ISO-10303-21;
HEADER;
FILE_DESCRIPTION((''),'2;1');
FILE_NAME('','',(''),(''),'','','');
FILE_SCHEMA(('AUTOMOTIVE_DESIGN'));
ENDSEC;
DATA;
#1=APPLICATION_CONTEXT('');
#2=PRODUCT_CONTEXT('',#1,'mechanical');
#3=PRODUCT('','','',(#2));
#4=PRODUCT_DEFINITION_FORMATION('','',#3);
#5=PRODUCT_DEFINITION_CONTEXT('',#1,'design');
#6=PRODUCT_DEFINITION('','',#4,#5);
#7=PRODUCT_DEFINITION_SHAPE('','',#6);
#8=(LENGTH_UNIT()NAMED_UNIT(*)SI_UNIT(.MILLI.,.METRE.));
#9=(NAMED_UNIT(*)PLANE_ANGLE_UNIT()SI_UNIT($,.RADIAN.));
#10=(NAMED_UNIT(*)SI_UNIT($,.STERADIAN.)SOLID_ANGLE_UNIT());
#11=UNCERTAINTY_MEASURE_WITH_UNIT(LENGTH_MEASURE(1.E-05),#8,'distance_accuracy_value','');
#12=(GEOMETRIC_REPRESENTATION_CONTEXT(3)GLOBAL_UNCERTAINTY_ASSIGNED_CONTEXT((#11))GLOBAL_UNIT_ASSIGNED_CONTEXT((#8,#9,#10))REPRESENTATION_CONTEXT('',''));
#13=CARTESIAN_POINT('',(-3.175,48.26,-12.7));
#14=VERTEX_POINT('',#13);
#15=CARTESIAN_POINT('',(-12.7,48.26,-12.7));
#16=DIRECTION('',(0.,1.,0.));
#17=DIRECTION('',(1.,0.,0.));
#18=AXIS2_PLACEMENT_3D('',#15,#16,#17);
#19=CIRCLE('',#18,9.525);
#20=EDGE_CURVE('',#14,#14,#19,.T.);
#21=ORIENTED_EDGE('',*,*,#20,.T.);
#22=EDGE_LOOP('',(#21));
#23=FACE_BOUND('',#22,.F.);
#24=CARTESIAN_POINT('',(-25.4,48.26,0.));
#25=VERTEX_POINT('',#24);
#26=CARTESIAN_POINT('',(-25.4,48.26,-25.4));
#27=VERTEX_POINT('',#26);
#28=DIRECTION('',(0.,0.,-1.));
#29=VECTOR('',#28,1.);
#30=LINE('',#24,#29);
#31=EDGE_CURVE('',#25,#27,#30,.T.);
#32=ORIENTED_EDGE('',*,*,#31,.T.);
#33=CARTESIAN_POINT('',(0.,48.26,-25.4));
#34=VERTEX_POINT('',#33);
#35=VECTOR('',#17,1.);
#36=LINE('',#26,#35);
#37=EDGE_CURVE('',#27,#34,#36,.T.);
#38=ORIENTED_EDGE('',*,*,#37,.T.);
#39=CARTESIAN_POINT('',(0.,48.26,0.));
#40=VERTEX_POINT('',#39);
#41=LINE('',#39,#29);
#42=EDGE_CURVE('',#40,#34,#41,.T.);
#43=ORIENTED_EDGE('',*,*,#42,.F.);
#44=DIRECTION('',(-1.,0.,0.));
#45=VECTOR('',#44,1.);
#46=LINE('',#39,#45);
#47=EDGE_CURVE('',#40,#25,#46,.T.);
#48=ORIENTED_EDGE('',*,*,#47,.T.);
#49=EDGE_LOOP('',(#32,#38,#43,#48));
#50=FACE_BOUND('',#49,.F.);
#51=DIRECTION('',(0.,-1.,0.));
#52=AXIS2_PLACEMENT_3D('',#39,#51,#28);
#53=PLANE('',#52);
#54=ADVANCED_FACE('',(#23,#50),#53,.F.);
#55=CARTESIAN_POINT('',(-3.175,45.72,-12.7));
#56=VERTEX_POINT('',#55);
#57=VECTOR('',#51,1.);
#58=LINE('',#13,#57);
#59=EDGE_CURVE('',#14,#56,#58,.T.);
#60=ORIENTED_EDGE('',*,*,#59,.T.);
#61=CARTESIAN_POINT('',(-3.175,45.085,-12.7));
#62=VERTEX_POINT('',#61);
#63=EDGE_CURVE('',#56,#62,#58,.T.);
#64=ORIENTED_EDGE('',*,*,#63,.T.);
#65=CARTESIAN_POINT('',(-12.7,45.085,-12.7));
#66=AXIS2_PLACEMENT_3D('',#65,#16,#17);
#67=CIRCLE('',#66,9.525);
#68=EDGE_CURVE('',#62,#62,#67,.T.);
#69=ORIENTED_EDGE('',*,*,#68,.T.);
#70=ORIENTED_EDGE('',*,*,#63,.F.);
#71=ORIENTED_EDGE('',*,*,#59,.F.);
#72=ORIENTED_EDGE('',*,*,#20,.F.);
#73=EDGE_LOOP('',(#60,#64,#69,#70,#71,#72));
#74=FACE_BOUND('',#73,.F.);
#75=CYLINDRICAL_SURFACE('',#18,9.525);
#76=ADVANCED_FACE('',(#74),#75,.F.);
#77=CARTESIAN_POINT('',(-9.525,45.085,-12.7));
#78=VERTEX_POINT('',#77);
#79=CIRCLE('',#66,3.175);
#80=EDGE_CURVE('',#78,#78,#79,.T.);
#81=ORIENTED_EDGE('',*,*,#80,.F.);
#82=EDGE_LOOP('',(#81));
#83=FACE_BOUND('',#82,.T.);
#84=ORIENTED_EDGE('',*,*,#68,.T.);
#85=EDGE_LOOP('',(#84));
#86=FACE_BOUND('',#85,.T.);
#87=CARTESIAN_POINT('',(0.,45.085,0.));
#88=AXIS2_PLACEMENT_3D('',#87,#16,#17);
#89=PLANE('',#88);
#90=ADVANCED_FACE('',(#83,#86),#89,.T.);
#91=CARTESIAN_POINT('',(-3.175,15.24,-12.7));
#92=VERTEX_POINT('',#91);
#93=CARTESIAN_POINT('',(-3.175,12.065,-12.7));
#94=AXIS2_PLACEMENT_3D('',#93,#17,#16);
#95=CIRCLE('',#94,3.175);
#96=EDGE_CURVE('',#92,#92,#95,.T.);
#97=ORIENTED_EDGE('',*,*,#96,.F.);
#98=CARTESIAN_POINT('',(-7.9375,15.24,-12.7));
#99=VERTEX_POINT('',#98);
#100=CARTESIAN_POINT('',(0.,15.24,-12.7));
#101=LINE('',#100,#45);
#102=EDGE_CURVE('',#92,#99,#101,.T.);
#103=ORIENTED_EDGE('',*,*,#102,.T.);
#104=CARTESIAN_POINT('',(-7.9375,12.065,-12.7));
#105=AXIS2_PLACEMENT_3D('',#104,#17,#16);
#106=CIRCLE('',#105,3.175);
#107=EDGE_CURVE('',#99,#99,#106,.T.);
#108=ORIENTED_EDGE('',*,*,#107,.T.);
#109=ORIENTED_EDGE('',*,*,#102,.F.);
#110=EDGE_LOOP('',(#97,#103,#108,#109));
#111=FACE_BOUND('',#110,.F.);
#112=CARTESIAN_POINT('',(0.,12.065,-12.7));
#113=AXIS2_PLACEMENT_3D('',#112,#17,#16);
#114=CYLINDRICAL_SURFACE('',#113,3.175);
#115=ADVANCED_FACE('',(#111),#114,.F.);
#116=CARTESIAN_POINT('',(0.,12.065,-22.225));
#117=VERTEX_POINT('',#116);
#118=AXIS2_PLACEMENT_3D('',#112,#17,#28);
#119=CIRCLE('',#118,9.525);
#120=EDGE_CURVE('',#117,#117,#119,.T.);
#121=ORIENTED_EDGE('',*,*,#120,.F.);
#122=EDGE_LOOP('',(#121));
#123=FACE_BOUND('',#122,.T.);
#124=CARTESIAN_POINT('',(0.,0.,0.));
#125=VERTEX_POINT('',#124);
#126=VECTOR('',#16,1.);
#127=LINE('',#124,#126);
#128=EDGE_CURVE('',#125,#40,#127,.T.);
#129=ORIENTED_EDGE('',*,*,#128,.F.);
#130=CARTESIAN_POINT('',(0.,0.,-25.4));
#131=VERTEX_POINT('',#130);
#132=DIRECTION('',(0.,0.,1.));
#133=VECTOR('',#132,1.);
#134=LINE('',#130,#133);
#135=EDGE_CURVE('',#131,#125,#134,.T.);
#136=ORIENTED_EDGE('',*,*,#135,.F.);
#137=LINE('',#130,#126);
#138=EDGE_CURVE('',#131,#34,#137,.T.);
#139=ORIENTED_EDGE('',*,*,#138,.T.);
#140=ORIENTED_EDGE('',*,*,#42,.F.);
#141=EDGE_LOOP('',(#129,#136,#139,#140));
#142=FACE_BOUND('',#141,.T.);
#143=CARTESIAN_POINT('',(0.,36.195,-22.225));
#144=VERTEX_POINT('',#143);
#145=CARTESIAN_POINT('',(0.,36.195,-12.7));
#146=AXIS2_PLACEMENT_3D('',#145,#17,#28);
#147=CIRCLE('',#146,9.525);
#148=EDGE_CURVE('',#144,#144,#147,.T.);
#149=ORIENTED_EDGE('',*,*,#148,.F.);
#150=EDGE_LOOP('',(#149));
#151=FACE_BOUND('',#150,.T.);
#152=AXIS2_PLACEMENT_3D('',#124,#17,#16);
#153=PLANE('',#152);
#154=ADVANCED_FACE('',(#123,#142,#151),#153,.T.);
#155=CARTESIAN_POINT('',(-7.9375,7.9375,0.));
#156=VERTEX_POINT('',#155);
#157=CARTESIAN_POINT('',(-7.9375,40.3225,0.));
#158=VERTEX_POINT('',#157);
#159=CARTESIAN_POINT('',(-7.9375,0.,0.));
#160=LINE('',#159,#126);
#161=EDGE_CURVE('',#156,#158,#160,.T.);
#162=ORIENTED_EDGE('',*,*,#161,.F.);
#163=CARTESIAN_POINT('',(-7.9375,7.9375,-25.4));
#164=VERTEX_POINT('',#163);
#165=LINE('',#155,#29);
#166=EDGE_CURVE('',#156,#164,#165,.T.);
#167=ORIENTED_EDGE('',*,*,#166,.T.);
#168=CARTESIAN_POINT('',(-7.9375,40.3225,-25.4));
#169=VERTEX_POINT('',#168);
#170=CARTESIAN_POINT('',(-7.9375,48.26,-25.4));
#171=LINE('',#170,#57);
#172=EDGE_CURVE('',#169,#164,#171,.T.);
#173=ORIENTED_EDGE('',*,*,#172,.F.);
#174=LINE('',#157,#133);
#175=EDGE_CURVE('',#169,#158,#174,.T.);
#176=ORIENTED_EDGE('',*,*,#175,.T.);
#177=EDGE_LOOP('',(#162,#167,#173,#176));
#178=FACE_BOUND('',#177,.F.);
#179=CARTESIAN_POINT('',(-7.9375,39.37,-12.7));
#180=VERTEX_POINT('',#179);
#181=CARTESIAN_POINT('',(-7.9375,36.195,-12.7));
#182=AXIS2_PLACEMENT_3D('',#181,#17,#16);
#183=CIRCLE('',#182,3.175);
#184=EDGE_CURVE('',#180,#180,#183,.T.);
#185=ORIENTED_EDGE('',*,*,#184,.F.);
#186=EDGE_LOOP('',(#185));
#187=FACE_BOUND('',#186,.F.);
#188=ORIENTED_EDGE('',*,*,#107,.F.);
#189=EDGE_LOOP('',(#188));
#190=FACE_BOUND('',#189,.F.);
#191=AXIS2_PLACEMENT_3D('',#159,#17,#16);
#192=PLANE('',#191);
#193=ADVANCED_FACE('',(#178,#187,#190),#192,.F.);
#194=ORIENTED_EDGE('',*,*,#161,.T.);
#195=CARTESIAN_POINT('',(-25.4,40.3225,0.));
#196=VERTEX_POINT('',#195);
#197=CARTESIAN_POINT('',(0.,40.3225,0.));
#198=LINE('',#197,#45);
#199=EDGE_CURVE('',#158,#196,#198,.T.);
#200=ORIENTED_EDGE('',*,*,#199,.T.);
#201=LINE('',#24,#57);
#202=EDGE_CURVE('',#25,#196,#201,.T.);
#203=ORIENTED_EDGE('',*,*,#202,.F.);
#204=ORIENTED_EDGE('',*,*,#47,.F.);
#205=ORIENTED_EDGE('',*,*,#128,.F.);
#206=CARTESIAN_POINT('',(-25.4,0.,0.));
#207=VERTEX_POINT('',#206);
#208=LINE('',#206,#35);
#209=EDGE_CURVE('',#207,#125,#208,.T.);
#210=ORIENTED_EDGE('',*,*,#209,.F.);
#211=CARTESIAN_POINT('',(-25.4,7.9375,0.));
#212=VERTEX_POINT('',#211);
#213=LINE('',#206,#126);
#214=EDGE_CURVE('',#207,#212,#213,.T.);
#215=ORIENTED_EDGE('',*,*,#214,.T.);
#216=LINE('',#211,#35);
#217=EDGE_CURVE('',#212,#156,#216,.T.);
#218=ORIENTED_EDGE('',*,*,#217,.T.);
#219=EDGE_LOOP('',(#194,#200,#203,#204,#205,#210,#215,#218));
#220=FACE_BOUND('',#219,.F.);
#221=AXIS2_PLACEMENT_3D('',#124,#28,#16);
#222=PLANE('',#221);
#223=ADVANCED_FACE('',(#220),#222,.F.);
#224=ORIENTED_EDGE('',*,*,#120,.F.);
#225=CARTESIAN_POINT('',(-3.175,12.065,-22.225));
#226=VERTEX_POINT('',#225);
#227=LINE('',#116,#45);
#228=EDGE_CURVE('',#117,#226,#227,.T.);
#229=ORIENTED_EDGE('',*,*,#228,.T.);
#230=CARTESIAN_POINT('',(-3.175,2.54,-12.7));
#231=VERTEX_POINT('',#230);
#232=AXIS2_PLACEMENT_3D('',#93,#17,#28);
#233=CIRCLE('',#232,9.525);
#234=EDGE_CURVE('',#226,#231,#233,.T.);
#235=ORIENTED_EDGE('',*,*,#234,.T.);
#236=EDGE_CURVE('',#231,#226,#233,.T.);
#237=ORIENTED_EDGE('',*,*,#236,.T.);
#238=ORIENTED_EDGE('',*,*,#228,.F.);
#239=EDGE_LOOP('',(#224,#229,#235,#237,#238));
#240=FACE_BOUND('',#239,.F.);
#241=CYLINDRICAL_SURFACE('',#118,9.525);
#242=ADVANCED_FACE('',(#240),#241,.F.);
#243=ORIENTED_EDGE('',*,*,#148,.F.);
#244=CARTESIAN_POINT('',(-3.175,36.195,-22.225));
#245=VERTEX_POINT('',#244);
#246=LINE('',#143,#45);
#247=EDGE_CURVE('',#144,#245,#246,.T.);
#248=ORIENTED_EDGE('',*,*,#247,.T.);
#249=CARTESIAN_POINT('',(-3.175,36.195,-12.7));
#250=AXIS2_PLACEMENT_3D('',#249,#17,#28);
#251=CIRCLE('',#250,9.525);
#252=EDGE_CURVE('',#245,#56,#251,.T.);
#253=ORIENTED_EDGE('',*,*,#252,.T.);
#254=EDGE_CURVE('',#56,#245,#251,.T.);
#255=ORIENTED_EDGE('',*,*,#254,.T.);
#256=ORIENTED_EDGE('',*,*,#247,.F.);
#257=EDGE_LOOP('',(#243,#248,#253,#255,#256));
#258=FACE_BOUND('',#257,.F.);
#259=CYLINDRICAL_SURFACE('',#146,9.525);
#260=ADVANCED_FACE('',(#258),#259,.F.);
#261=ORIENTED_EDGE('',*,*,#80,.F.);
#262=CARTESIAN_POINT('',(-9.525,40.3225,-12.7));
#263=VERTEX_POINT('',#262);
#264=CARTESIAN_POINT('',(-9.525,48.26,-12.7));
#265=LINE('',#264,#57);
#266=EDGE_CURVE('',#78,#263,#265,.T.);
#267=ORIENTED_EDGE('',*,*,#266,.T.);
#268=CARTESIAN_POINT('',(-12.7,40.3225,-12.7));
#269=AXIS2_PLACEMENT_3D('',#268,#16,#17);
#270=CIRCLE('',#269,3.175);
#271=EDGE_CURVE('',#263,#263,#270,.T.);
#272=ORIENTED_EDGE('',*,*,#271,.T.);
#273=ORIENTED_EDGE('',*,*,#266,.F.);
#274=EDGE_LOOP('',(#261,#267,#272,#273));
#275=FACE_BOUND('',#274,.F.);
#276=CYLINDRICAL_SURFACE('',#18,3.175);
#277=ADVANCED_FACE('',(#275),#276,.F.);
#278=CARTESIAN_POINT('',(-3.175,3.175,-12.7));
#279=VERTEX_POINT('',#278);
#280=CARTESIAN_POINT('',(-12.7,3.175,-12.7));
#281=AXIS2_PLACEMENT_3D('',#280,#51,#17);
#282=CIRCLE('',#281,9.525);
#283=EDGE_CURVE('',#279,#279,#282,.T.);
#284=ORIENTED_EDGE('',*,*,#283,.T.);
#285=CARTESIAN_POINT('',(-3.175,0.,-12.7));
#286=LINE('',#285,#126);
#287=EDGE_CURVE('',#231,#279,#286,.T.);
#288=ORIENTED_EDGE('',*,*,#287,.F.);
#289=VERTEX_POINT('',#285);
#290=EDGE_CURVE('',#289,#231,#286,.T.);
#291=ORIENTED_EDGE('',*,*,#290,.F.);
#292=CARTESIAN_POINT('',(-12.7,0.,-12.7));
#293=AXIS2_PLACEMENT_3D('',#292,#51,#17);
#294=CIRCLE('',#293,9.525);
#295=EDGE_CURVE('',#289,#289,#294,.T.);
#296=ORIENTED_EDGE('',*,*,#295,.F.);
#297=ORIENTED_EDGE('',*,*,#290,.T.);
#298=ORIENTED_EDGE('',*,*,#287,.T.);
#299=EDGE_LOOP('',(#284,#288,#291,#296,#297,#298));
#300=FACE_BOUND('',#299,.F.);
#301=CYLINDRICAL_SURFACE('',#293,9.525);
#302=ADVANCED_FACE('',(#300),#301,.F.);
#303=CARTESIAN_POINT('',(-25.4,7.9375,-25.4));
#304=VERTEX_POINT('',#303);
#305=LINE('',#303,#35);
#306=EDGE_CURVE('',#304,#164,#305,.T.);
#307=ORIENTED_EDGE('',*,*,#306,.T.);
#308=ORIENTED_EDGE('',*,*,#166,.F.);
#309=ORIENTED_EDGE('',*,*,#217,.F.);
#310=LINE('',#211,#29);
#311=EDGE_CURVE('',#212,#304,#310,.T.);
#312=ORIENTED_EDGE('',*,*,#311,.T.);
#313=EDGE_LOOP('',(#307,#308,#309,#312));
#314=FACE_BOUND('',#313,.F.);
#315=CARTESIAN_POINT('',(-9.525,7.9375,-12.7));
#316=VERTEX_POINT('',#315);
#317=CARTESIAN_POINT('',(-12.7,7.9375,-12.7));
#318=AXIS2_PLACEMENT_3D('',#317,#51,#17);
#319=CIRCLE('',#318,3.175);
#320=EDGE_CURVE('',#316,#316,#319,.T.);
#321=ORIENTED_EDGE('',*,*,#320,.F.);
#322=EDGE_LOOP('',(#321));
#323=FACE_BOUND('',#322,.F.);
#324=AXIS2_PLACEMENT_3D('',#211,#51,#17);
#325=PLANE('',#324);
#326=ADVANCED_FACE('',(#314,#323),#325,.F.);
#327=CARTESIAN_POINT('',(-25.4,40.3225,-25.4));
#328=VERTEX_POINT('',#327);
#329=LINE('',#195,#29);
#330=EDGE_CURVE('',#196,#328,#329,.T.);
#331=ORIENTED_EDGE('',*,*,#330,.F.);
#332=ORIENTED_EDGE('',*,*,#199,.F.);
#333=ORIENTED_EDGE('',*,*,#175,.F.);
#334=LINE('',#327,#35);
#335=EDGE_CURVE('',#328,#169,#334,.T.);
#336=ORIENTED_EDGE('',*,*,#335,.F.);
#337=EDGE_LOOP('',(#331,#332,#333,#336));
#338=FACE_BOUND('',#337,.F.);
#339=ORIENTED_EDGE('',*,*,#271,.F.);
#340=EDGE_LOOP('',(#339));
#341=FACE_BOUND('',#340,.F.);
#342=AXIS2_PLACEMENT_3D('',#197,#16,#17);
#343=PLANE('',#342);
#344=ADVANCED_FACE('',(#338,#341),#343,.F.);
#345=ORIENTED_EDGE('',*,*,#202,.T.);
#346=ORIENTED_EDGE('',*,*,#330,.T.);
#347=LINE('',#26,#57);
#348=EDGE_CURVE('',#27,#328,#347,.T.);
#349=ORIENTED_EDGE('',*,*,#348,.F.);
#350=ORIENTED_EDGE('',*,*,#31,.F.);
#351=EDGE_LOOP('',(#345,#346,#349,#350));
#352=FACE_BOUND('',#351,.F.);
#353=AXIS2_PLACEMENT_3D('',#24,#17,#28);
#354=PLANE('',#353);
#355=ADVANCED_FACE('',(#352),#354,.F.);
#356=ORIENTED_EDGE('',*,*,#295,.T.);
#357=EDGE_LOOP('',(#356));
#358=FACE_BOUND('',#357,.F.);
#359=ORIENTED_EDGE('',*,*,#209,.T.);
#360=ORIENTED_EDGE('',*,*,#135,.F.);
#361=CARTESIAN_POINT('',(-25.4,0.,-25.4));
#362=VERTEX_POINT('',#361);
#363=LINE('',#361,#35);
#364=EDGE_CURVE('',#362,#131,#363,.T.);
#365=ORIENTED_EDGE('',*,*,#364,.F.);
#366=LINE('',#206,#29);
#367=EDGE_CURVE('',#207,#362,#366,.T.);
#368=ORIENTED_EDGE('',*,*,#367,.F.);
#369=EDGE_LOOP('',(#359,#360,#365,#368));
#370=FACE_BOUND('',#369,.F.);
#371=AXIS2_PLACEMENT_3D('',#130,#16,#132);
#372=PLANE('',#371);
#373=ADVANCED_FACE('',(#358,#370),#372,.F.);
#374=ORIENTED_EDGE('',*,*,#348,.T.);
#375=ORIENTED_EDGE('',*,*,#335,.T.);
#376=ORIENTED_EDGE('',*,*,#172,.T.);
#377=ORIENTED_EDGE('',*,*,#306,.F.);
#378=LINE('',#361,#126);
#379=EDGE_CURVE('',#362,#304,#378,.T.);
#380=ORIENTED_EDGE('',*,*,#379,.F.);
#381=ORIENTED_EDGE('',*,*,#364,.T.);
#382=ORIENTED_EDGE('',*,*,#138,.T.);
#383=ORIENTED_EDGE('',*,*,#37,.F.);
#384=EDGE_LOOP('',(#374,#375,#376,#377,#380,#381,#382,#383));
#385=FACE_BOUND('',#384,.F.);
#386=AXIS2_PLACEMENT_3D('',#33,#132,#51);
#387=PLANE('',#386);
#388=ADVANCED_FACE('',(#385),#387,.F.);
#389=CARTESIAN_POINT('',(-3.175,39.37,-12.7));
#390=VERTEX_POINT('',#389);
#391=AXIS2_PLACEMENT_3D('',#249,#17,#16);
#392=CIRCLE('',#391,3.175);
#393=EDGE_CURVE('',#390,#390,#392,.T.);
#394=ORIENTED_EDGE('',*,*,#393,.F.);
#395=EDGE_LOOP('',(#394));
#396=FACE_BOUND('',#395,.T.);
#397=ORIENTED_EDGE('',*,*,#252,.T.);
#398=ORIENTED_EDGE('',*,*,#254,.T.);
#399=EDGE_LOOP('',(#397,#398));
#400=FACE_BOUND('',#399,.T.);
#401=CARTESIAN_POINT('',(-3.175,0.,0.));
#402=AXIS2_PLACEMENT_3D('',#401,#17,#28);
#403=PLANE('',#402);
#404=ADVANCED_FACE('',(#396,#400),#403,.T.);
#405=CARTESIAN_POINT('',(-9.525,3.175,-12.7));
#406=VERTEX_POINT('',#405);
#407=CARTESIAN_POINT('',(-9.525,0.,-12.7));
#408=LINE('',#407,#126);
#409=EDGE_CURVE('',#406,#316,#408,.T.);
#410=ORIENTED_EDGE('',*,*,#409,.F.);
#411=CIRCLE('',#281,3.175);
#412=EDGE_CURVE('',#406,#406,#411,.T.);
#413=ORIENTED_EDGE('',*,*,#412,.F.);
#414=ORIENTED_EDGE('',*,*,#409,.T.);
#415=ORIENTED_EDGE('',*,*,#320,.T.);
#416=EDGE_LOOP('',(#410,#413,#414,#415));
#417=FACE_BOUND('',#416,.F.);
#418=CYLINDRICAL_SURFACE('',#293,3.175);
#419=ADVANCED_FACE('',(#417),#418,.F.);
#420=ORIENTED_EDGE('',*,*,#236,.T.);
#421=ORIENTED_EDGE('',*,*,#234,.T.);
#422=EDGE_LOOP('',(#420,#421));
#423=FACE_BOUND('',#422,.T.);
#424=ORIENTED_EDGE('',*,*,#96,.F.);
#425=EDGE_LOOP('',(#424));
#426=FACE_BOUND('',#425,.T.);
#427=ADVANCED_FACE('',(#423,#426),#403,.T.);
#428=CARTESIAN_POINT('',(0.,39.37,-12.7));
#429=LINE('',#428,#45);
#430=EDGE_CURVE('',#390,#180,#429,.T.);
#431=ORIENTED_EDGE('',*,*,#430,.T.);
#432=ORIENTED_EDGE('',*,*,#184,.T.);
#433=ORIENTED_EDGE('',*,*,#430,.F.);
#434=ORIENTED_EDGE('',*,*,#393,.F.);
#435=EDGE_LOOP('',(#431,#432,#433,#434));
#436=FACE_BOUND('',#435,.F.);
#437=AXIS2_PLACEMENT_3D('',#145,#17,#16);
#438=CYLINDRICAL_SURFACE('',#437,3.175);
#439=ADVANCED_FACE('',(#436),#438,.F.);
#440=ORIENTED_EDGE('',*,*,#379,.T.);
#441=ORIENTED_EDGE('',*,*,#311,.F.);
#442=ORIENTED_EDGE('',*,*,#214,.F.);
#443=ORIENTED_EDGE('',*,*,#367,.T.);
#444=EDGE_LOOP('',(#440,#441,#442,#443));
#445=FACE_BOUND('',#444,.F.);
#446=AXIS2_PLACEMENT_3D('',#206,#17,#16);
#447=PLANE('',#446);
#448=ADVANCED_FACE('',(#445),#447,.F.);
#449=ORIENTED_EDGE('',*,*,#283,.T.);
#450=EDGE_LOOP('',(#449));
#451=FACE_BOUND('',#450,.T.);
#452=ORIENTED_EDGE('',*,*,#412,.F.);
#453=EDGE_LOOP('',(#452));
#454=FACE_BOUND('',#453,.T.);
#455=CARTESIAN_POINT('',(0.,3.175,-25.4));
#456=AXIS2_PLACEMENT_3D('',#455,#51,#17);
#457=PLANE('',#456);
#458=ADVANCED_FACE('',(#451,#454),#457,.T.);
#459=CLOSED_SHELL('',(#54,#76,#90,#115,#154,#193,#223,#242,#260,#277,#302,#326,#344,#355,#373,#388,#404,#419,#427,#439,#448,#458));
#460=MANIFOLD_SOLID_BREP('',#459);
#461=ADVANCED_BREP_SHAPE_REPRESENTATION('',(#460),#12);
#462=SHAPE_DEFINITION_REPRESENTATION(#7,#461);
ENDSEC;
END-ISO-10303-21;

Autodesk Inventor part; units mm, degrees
ref_plane "YZ Plane" through (0, 0, 0) normal (1, 0, 0) x (0, 1, 0)
ref_plane "XZ Plane" through (0, 0, 0) normal (0, 1, 0) x (-1, 0, 0)
ref_plane "XY Plane" through (0, 0, 0) normal (0, 0, 1) x (1, 0, 0)
sketch "Sketch1" plane through (0, 0, 0) normal (1, 0, 0) x (0, 1, 0)
  line L0 (0, 0) -> (48.26, 0)
  line L1 (48.26, 0) -> (48.26, -25.4)
  line L2 (48.26, -25.4) -> (0, -25.4)
  line L3 (0, -25.4) -> (0, 0)
  line L4 (0, 0) -> (24.13, 0) construction
  line L5 (24.13, 0) -> (24.13, -25.4) construction
  line L6 (24.13, -25.4) -> (0, -25.4) construction
  line L7 (0, -25.4) -> (0, 0) construction
  line L8 (24.13, 0) -> (0, -25.4) construction
  line L9 (0, 0) -> (24.13, -25.4) construction
  line L10 (24.13, 0) -> (48.26, -25.4) construction
  line L11 (48.26, 0) -> (24.13, -25.4) construction
  circle A0 centre (12.065, -12.7) radius 3.175
  circle A1 centre (36.195, -12.7) radius 3.175
  dimension "d0" = 48.26
  dimension "d1" = 25.4
  dimension "d2" = 24.13
  dimension "d3" = 25.4
  dimension "d32" = 6.35
  dimension "d33" = 6.35
extrude "Extrusion1" add sketch "Sketch1" against normal blind 7.9375
sketch "Sketch2" plane through (0, 48.26, 0) normal (0, 1, 0) x (1, 0, 0)
  line L0 (0, 0) -> (-25.4, 0)
  line L1 (-25.4, 0) -> (-25.4, 25.4)
  line L2 (-25.4, 25.4) -> (0, 25.4)
  line L3 (0, 25.4) -> (0, 0)
  line L4 (0, 0) -> (-7.9375, 0) construction
  line L5 (-25.4, 25.4) -> (0, 0) construction
  line L6 (0, 0) -> (0, 25.4) construction
  line L7 (0, 25.4) -> (-25.4, 0) construction
  circle A0 centre (-12.7, 12.7) radius 3.175
  dimension "d8" = 25.4
  dimension "d9" = 25.4
  dimension "d34" = 6.35
extrude "Extrusion2" add sketch "Sketch2" against normal blind 7.9375
sketch "Sketch5" plane through (-7.9375, 0, 0) normal (0, 0, 1) x (1, 0, 0)
  line L0 (7.9375, 0) -> (7.9375, 48.26) projected
  line L1 (7.9375, 0) -> (-17.4625, 0)
  line L2 (-17.4625, 0) -> (-17.4625, 7.9375)
  line L3 (-17.4625, 7.9375) -> (7.9375, 7.9375)
  line L4 (7.9375, 7.9375) -> (7.9375, 0)
  dimension "d19" = 25.4
  dimension "d20" = 7.9375
extrude "Extrusion3" add sketch "Sketch5" against normal blind 25.4
sketch "Sketch6" plane through (0, 0, -25.4) normal (0, -1, 0) x (1, 0, 0)
  line L0 (-7.9375, 25.4) -> (-25.4, 25.4) construction
  line L1 (0, 0) -> (-25.4, 0) construction
  line L2 (-25.4, 25.4) -> (0, 0) construction
  line L3 (0, 0) -> (0, 25.4) construction
  line L4 (-25.4, 0) -> (0, 25.4) construction
  circle A0 centre (-12.7, 12.7) radius 3.175
  dimension "d35" = 6.35
sketch "Sketch7" plane through (0, 0, 0) normal (1, 0, 0) x (0, 0, -1)
  line L0 (0, 0) -> (25.4, 0) construction
  line L1 (25.4, 0) -> (25.4, 24.13) construction
  line L2 (25.4, 24.13) -> (0, 24.13) construction
  line L3 (0, 24.13) -> (0, 0) construction
  line L4 (0, 0) -> (25.4, 24.13) construction
  line L5 (0, 24.13) -> (25.4, 0) construction
  line L6 (0, 24.13) -> (25.4, 48.26) construction
  line L7 (25.4, 48.26) -> (0, 48.26) construction
  line L8 (25.4, 24.13) -> (0, 48.26) construction
  circle A0 centre (12.7, 12.065) radius 9.525
  circle A1 centre (12.7, 36.195) radius 9.525
  dimension "d26" = 25.4
  dimension "d27" = 24.13
  dimension "d28" = 19.05
  dimension "d29" = 19.05
extrude "Extrusion5" cut sketch "Sketch7" against normal blind 3.175
extrude "Extrusion6" cut sketch "Sketch6" against normal blind 7.9375
sketch "Sketch8" plane through (0, 0, -25.4) normal (0, -1, 0) x (1, 0, 0)
  line L0 (-7.9375, 25.4) -> (-25.4, 25.4) construction
  line L1 (0, 0) -> (-25.4, 0) construction
  line L2 (-25.4, 25.4) -> (0, 0) construction
  line L3 (0, 0) -> (0, 25.4) construction
  line L4 (-25.4, 25.4) -> (-25.4, 0) construction
  line L5 (0, 25.4) -> (-25.4, 0) construction
  circle A0 centre (-12.7, 12.7) radius 9.525
  dimension "d38" = 19.05
extrude "Extrusion7" cut sketch "Sketch8" against normal blind 3.175
sketch "Sketch9" plane through (0, 48.26, 0) normal (0, 1, 0) x (1, 0, 0)
  line L0 (-25.4, 25.4) -> (-7.9375, 25.4) construction
  line L1 (0, 0) -> (-25.4, 25.4) construction
  line L2 (-7.9375, 0) -> (-25.4, 0) construction
  line L3 (0, 25.4) -> (-25.4, 25.4) construction
  line L4 (-25.4, 0) -> (0, 25.4) construction
  circle A0 centre (-12.7, 12.7) radius 9.525
  dimension "d41" = 19.05
extrude "Extrusion8" cut sketch "Sketch9" against normal blind 3.175
properties part number "MountingBracket_Double"
